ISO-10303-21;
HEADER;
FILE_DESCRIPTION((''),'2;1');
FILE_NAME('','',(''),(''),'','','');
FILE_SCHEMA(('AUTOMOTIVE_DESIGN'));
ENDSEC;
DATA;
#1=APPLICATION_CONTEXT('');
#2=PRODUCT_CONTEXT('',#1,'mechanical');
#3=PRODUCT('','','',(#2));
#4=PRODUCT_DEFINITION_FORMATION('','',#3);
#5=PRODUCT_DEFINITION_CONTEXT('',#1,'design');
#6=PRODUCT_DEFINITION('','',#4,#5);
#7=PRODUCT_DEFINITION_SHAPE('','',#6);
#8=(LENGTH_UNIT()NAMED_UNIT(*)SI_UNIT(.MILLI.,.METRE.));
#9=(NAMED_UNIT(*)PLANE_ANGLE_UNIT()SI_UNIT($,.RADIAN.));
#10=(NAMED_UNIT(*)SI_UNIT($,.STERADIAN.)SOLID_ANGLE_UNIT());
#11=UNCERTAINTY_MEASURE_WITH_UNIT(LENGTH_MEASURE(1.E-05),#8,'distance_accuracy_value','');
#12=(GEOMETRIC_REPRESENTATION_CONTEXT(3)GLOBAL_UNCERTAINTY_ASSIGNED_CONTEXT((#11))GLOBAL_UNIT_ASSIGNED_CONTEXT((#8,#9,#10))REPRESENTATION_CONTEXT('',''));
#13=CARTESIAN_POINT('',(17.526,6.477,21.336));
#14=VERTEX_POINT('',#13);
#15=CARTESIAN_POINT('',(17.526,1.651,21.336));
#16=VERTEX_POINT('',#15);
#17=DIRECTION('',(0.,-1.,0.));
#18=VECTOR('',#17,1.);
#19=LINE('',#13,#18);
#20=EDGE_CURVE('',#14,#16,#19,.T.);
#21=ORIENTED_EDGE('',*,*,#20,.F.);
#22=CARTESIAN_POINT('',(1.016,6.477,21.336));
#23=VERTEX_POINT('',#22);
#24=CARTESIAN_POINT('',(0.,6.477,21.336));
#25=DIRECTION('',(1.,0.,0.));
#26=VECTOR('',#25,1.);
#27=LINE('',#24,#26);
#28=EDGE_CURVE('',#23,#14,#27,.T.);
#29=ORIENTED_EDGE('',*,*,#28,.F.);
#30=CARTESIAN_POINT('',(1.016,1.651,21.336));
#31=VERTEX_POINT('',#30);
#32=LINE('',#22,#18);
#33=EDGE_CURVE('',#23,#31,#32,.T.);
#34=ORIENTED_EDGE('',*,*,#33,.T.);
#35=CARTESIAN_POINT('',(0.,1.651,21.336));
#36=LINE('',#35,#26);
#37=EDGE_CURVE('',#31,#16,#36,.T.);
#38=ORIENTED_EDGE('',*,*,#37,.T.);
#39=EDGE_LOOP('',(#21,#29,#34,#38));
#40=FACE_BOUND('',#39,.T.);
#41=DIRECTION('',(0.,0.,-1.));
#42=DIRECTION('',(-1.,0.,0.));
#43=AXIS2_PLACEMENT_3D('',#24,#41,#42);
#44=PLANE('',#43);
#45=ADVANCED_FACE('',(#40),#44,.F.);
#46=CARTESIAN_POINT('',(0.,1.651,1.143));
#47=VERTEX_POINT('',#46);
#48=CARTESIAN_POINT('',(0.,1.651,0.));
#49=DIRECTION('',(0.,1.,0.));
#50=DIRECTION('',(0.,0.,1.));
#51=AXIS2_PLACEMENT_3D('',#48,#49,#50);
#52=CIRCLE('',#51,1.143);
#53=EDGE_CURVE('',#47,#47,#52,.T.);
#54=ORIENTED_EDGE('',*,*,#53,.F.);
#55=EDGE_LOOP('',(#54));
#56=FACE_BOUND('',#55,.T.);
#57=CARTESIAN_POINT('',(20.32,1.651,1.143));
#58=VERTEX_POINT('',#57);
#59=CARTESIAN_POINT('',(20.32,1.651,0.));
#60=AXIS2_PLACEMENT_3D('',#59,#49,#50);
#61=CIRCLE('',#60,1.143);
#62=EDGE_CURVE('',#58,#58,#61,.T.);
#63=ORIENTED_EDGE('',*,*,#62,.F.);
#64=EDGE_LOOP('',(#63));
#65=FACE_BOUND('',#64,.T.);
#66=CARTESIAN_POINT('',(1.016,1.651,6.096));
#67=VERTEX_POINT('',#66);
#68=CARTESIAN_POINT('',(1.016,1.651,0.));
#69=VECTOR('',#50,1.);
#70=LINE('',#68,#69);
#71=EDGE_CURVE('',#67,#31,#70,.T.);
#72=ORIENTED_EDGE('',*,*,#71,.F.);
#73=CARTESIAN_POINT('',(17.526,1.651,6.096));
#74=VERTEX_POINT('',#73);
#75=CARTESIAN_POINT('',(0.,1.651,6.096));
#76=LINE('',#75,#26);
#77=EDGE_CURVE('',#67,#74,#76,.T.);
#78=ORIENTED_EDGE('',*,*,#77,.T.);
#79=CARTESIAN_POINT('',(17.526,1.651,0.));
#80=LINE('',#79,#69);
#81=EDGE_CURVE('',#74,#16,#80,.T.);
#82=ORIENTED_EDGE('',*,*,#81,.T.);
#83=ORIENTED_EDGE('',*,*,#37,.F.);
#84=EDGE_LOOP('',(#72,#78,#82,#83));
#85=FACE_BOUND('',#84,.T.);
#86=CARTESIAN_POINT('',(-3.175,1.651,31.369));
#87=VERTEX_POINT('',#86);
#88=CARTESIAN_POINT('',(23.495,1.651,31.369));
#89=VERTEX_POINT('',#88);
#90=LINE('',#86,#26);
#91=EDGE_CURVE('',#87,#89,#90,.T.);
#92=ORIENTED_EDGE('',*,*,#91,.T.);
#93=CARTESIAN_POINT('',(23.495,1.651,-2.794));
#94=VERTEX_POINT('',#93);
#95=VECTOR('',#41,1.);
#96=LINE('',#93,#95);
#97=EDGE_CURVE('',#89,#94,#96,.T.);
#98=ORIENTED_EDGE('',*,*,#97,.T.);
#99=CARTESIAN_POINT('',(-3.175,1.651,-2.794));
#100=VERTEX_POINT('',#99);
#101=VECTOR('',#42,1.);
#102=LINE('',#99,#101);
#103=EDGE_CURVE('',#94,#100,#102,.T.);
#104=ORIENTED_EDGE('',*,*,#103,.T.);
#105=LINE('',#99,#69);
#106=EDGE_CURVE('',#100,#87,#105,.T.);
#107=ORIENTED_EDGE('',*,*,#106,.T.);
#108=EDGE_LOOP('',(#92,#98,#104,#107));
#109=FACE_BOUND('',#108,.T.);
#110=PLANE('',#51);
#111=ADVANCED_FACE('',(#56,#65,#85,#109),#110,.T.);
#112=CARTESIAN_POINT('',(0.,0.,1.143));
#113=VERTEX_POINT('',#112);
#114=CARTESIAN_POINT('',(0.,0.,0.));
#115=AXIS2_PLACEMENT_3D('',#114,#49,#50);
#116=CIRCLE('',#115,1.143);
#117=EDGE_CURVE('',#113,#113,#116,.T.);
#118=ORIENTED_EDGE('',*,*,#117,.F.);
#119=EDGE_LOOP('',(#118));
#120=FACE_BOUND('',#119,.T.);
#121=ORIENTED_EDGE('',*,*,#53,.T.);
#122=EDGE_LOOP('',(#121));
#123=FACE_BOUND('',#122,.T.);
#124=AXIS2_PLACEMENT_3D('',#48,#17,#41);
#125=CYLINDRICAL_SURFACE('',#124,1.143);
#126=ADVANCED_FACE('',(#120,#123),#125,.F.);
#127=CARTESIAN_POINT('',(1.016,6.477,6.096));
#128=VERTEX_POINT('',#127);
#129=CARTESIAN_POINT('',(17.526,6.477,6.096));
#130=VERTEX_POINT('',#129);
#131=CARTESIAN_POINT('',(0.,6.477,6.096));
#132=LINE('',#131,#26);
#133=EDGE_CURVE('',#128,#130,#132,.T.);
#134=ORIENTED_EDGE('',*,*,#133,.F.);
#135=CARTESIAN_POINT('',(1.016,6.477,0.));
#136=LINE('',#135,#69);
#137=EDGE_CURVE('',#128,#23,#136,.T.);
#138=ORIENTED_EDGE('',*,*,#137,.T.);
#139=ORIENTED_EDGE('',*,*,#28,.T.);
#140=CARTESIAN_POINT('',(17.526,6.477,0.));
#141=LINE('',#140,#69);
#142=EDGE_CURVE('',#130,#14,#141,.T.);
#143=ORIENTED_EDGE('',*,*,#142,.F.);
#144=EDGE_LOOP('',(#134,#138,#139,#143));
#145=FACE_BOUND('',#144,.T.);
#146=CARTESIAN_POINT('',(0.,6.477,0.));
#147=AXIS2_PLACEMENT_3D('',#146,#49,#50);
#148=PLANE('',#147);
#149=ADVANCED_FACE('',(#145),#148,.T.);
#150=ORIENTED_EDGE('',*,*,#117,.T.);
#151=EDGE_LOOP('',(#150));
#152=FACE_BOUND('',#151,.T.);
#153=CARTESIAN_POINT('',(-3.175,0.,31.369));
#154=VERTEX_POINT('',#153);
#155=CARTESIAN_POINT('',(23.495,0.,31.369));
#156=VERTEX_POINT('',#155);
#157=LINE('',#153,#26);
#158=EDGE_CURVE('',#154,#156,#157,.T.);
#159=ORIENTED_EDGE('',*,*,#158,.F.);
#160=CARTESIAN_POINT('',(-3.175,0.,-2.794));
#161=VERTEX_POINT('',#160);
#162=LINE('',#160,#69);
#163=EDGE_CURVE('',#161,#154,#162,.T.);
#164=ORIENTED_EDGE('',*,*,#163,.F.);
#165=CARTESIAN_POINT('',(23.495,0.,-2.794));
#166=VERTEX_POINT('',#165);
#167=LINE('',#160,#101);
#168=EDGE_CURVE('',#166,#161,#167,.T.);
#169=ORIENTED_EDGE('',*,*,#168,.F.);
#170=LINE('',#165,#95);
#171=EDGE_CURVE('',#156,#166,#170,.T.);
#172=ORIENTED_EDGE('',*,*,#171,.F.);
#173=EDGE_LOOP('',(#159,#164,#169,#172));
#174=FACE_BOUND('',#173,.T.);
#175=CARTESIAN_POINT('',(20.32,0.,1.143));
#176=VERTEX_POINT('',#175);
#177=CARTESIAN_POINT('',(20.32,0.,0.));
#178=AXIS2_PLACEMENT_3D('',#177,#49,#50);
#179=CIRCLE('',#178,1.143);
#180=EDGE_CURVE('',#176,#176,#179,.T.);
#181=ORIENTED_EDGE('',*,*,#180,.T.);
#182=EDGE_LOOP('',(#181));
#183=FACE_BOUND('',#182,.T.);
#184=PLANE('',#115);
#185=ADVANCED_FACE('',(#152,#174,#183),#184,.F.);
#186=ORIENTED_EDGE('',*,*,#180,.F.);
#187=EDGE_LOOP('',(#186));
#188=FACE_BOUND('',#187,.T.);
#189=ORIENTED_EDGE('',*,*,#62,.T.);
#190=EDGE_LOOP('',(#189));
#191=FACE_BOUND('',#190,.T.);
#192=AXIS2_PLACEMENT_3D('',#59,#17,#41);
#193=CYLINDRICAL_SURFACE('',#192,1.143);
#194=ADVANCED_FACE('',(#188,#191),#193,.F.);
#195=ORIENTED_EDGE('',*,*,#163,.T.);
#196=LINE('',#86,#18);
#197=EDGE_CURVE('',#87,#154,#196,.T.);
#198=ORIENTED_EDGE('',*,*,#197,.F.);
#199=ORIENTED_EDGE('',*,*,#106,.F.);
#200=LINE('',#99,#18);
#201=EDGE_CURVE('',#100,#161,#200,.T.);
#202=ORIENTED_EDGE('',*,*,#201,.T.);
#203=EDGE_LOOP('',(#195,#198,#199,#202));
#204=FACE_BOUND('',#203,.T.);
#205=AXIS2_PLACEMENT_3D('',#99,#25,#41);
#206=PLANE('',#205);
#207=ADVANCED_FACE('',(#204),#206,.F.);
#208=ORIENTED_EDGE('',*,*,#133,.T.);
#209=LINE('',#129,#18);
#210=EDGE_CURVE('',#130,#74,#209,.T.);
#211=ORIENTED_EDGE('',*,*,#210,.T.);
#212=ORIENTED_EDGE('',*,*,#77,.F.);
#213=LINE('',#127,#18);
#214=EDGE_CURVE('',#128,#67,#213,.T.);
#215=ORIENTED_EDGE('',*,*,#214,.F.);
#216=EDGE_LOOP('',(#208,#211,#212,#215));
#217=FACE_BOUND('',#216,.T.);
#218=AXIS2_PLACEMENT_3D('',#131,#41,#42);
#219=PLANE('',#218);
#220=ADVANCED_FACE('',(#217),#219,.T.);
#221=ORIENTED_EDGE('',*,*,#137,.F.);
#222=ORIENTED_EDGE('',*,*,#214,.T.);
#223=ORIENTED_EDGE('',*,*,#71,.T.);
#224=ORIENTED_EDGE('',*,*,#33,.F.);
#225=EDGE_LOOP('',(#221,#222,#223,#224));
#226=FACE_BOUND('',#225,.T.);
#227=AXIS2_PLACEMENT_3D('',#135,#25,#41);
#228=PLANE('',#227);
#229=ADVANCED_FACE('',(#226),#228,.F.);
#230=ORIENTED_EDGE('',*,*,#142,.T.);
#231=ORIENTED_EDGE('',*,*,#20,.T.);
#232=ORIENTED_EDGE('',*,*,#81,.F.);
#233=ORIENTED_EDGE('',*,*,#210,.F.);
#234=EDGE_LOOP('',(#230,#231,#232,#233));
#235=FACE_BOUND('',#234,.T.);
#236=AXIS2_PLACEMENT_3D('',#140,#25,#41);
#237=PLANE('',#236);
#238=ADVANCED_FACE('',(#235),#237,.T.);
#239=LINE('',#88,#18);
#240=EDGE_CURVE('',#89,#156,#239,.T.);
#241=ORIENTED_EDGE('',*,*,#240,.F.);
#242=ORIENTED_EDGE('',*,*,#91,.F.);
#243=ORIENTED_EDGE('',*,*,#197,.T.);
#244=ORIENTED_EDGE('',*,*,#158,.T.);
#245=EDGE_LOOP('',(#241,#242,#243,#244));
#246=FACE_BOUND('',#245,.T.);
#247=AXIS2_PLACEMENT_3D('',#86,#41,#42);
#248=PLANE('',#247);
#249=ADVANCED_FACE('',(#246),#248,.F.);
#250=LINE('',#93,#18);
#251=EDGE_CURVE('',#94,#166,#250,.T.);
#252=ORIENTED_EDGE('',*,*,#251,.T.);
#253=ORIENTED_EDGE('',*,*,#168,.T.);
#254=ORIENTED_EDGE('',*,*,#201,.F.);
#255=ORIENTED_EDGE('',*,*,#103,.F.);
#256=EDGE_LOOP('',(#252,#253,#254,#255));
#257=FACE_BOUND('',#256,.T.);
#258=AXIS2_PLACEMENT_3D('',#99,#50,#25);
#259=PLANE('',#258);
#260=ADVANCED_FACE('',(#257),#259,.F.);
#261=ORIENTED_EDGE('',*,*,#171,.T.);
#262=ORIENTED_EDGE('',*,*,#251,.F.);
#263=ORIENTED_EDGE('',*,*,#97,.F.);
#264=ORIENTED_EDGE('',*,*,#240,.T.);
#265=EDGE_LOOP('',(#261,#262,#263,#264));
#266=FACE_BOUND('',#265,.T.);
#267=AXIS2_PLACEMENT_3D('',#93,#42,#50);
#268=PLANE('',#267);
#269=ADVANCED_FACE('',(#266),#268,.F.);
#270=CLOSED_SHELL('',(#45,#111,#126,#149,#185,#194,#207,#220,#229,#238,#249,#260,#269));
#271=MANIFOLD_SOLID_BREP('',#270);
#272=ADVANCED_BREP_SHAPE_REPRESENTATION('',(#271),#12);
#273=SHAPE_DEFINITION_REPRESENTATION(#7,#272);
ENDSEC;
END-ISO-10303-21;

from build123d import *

# Parameters (mm, degrees)
SKETCH1_W           = 26.67
SKETCH1_H           = 34.163
SKETCH1_R           = 1.143
BOSS_EXTRUDE1_DEPTH = 1.651
SKETCH2_W           = 16.51
SKETCH2_H           = 15.24
BOSS_EXTRUDE2_DEPTH = 4.826


with BuildPart() as part:
    # Sketch1 → Boss-Extrude1 (new body)
    with BuildSketch(Plane(origin=(0, 0, 0), x_dir=(1, 0, 0), z_dir=(0, 1, 0))):
        with Locations((10.16, -14.2875)):
            Rectangle(SKETCH1_W, SKETCH1_H)
        Circle(SKETCH1_R, mode=Mode.SUBTRACT)
        with Locations((20.32, 0)):
            Circle(SKETCH1_R, mode=Mode.SUBTRACT)
    extrude(amount=BOSS_EXTRUDE1_DEPTH)

    # Sketch2 → Boss-Extrude2 (add)
    with BuildSketch(Plane(origin=(0, 1.651, 0), x_dir=(1, 0, 0), z_dir=(0, 1, 0))):
        with Locations((9.271, -13.716)):
            Rectangle(SKETCH2_W, SKETCH2_H)
    extrude(amount=BOSS_EXTRUDE2_DEPTH)


solid = part.part
